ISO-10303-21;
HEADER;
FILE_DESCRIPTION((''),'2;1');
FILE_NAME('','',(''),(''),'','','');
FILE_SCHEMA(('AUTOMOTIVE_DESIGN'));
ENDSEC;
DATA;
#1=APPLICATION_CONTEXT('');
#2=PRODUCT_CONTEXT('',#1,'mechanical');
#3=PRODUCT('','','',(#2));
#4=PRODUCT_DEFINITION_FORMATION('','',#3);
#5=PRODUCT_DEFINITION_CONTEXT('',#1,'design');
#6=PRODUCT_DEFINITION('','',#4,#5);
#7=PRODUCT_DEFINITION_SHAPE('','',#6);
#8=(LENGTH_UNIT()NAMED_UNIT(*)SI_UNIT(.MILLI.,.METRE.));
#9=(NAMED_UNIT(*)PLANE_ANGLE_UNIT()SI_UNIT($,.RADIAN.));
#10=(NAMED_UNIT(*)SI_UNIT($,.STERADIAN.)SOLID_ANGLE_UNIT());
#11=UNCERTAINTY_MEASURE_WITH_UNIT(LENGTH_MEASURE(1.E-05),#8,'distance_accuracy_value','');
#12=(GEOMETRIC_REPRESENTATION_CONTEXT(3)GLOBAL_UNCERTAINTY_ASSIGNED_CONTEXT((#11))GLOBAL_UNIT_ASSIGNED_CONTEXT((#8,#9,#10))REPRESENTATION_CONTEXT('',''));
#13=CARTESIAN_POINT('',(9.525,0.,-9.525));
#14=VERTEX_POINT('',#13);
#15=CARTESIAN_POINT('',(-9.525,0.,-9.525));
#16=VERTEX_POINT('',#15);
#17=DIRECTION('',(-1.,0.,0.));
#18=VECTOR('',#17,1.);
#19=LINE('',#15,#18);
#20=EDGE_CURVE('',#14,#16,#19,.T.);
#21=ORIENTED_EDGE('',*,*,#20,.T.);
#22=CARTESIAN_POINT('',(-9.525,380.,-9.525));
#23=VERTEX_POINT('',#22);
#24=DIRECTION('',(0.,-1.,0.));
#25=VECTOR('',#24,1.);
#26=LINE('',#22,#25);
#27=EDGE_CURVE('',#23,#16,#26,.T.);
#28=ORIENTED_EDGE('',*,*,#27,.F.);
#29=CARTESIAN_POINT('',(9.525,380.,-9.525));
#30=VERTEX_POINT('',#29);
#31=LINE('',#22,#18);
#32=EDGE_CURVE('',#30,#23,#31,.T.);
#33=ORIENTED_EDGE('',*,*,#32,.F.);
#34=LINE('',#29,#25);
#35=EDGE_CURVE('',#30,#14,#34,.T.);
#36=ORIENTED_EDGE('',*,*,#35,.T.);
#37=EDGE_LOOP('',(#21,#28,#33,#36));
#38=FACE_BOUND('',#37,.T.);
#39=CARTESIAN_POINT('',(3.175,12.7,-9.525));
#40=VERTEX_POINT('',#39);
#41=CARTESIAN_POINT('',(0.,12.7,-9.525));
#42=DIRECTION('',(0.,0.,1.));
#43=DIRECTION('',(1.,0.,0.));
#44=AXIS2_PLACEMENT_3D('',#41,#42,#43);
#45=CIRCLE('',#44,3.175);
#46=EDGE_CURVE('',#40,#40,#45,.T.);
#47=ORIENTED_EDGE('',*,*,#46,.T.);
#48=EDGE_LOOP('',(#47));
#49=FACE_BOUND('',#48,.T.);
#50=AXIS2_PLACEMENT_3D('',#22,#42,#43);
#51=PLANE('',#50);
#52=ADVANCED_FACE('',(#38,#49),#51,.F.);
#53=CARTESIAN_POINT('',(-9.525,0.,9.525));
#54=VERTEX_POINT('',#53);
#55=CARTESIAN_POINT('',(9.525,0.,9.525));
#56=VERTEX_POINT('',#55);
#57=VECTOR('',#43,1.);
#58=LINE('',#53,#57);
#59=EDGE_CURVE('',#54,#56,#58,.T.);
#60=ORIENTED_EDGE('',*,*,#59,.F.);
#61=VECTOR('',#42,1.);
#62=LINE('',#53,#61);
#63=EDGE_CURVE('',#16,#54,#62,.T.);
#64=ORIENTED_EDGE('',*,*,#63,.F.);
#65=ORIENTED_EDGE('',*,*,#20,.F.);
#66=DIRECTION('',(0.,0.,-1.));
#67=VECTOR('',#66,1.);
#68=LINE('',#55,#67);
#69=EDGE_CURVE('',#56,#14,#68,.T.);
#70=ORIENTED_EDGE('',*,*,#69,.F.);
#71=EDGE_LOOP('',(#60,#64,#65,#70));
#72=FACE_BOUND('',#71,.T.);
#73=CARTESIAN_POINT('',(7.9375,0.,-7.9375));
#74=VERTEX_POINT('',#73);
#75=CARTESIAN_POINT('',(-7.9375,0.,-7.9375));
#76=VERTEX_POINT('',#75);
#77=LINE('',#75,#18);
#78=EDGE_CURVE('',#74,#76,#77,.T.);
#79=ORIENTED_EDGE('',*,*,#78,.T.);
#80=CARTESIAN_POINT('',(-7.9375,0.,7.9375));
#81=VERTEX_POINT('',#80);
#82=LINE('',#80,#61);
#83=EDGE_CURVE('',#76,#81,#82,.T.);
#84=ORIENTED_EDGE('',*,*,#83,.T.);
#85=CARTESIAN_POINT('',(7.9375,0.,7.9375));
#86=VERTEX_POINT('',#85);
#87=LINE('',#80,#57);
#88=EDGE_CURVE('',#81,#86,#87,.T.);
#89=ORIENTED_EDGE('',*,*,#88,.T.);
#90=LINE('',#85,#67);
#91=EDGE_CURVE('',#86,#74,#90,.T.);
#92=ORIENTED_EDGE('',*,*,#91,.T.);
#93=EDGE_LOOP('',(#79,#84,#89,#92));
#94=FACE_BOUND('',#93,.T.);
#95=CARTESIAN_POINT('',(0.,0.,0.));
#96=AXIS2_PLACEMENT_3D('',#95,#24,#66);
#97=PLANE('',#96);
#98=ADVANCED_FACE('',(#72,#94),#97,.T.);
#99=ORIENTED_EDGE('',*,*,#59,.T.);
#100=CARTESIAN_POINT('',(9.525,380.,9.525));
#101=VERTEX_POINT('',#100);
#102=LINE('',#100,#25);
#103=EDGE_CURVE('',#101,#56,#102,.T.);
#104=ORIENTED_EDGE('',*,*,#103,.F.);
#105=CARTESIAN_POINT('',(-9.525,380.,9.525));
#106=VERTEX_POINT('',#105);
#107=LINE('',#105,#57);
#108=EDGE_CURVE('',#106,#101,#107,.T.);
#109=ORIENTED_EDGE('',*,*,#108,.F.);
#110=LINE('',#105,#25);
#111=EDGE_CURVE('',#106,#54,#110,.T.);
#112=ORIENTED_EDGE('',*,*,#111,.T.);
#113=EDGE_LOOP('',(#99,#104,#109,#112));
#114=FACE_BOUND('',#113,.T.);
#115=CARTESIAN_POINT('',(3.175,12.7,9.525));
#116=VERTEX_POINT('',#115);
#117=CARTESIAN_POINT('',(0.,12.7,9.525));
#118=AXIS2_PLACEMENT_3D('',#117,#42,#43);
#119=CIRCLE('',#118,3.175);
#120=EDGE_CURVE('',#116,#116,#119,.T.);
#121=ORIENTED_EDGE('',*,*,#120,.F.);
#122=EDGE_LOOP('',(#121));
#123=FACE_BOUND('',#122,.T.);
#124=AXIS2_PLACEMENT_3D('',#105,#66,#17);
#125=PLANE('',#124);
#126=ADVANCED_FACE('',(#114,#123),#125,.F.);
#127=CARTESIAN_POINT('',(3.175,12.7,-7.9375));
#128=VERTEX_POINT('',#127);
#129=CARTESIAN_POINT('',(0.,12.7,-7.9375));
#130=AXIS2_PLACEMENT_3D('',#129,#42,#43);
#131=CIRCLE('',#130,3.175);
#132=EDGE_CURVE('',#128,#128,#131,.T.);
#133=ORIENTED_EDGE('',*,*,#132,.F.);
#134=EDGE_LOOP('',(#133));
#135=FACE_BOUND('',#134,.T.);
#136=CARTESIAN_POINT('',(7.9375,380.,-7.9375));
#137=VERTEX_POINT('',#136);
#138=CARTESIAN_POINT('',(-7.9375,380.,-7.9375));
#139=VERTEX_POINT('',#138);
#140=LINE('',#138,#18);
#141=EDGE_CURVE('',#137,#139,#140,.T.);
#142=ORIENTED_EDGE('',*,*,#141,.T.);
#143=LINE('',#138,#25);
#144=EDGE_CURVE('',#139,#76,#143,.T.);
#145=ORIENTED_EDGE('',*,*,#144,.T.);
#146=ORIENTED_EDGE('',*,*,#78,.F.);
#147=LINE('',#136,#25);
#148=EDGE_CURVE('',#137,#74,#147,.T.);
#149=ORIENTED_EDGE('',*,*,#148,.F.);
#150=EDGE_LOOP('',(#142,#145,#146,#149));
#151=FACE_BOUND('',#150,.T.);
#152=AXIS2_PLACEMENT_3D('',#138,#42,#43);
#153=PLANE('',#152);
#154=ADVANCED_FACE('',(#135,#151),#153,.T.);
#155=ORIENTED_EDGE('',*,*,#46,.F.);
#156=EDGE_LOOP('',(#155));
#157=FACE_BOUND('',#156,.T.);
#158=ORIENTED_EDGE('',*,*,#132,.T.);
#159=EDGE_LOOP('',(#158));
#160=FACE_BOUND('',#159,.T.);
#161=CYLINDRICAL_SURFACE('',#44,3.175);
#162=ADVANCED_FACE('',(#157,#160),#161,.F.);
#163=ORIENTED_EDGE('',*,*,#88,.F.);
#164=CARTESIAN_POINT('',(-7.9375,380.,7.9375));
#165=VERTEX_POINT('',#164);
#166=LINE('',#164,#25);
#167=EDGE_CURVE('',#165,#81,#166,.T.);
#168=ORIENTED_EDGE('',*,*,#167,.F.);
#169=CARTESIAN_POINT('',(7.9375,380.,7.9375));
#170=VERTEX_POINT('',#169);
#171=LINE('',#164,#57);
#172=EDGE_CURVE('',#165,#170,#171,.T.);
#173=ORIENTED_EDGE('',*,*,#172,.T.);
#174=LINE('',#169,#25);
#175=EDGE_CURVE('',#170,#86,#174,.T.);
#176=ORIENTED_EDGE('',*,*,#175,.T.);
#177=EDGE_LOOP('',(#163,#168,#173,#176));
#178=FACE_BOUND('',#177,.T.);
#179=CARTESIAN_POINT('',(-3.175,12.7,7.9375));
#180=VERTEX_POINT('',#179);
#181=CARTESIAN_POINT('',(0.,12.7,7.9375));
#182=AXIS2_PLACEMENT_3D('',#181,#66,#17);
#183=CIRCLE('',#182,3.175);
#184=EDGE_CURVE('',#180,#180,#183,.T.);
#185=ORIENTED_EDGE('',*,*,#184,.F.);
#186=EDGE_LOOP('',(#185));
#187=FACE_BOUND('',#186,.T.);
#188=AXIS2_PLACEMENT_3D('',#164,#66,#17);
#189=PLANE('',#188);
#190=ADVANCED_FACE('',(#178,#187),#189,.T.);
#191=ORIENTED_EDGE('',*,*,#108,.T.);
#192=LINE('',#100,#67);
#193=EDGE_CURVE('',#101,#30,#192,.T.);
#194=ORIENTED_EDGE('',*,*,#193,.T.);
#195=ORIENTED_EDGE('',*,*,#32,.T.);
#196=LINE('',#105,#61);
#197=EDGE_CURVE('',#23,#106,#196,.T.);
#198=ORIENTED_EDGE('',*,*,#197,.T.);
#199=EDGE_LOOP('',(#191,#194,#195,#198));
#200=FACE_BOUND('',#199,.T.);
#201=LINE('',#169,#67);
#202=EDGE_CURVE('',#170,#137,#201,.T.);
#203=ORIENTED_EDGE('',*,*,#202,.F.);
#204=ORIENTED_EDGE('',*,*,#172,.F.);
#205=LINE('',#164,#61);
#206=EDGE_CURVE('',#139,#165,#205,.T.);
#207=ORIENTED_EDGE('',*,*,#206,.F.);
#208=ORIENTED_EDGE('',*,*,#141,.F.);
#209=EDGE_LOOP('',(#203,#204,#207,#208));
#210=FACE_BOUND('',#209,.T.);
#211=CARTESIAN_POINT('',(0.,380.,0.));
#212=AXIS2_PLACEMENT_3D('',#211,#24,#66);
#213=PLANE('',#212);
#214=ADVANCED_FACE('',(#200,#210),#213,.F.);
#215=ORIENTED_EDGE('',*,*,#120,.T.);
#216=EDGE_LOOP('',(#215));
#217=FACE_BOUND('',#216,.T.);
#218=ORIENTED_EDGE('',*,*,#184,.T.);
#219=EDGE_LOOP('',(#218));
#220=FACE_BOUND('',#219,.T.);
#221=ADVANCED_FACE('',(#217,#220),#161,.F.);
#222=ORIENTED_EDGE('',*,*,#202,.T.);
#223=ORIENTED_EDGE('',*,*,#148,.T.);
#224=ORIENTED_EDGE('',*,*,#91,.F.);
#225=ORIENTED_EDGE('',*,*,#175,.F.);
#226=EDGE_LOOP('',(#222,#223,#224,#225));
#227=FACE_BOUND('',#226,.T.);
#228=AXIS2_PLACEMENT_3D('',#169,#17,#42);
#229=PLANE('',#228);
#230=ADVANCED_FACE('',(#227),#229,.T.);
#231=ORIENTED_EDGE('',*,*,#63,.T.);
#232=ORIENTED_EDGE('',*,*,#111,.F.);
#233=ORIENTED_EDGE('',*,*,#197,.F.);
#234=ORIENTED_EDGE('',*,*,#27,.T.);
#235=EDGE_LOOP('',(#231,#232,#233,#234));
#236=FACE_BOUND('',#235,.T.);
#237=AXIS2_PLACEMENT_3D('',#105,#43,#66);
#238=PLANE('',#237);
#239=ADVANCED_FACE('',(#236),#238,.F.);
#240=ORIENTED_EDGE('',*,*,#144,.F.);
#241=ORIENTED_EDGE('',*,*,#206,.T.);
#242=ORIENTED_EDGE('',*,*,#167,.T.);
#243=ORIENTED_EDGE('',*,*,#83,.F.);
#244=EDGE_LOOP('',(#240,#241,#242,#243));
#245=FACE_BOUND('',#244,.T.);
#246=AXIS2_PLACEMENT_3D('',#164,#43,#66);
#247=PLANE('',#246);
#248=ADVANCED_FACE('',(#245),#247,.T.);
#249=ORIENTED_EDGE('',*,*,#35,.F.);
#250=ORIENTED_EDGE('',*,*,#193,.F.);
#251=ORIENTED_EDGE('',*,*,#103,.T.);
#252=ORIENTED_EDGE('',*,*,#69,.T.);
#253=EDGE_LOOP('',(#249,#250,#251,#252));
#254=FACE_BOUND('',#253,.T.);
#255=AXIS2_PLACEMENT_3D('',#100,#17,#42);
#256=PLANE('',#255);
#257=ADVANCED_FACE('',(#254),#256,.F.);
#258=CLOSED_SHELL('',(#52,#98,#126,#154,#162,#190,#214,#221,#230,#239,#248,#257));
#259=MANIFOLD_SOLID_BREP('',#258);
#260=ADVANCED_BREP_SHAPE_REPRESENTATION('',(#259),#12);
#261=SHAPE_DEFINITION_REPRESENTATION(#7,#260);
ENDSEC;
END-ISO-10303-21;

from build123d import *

# Parameters (mm, degrees)
SKETCH1_W           = 19.05
SKETCH1_H           = 19.05
SKETCH1_W_2         = 15.875
SKETCH1_H_2         = 15.875
BOSS_EXTRUDE1_DEPTH = 380
SKETCH2_R           = 3.175
CUT_EXTRUDE1_DEPTH  = 381.596411077


with BuildPart() as part:
    # Sketch1 → Boss-Extrude1 (new body)
    with BuildSketch(Plane(origin=(0, 0, 0), x_dir=(1, 0, 0), z_dir=(0, 1, 0))):
        Rectangle(SKETCH1_W, SKETCH1_H)
        Rectangle(SKETCH1_W_2, SKETCH1_H_2, mode=Mode.SUBTRACT)
    extrude(amount=BOSS_EXTRUDE1_DEPTH)

    # Sketch2 → Cut-Extrude1 (cut, through all)
    with BuildSketch(Plane.XY.offset(9.525)):
        with Locations((0, 12.7)):
            Circle(SKETCH2_R)
    extrude(amount=-CUT_EXTRUDE1_DEPTH, mode=Mode.SUBTRACT)


solid = part.part
